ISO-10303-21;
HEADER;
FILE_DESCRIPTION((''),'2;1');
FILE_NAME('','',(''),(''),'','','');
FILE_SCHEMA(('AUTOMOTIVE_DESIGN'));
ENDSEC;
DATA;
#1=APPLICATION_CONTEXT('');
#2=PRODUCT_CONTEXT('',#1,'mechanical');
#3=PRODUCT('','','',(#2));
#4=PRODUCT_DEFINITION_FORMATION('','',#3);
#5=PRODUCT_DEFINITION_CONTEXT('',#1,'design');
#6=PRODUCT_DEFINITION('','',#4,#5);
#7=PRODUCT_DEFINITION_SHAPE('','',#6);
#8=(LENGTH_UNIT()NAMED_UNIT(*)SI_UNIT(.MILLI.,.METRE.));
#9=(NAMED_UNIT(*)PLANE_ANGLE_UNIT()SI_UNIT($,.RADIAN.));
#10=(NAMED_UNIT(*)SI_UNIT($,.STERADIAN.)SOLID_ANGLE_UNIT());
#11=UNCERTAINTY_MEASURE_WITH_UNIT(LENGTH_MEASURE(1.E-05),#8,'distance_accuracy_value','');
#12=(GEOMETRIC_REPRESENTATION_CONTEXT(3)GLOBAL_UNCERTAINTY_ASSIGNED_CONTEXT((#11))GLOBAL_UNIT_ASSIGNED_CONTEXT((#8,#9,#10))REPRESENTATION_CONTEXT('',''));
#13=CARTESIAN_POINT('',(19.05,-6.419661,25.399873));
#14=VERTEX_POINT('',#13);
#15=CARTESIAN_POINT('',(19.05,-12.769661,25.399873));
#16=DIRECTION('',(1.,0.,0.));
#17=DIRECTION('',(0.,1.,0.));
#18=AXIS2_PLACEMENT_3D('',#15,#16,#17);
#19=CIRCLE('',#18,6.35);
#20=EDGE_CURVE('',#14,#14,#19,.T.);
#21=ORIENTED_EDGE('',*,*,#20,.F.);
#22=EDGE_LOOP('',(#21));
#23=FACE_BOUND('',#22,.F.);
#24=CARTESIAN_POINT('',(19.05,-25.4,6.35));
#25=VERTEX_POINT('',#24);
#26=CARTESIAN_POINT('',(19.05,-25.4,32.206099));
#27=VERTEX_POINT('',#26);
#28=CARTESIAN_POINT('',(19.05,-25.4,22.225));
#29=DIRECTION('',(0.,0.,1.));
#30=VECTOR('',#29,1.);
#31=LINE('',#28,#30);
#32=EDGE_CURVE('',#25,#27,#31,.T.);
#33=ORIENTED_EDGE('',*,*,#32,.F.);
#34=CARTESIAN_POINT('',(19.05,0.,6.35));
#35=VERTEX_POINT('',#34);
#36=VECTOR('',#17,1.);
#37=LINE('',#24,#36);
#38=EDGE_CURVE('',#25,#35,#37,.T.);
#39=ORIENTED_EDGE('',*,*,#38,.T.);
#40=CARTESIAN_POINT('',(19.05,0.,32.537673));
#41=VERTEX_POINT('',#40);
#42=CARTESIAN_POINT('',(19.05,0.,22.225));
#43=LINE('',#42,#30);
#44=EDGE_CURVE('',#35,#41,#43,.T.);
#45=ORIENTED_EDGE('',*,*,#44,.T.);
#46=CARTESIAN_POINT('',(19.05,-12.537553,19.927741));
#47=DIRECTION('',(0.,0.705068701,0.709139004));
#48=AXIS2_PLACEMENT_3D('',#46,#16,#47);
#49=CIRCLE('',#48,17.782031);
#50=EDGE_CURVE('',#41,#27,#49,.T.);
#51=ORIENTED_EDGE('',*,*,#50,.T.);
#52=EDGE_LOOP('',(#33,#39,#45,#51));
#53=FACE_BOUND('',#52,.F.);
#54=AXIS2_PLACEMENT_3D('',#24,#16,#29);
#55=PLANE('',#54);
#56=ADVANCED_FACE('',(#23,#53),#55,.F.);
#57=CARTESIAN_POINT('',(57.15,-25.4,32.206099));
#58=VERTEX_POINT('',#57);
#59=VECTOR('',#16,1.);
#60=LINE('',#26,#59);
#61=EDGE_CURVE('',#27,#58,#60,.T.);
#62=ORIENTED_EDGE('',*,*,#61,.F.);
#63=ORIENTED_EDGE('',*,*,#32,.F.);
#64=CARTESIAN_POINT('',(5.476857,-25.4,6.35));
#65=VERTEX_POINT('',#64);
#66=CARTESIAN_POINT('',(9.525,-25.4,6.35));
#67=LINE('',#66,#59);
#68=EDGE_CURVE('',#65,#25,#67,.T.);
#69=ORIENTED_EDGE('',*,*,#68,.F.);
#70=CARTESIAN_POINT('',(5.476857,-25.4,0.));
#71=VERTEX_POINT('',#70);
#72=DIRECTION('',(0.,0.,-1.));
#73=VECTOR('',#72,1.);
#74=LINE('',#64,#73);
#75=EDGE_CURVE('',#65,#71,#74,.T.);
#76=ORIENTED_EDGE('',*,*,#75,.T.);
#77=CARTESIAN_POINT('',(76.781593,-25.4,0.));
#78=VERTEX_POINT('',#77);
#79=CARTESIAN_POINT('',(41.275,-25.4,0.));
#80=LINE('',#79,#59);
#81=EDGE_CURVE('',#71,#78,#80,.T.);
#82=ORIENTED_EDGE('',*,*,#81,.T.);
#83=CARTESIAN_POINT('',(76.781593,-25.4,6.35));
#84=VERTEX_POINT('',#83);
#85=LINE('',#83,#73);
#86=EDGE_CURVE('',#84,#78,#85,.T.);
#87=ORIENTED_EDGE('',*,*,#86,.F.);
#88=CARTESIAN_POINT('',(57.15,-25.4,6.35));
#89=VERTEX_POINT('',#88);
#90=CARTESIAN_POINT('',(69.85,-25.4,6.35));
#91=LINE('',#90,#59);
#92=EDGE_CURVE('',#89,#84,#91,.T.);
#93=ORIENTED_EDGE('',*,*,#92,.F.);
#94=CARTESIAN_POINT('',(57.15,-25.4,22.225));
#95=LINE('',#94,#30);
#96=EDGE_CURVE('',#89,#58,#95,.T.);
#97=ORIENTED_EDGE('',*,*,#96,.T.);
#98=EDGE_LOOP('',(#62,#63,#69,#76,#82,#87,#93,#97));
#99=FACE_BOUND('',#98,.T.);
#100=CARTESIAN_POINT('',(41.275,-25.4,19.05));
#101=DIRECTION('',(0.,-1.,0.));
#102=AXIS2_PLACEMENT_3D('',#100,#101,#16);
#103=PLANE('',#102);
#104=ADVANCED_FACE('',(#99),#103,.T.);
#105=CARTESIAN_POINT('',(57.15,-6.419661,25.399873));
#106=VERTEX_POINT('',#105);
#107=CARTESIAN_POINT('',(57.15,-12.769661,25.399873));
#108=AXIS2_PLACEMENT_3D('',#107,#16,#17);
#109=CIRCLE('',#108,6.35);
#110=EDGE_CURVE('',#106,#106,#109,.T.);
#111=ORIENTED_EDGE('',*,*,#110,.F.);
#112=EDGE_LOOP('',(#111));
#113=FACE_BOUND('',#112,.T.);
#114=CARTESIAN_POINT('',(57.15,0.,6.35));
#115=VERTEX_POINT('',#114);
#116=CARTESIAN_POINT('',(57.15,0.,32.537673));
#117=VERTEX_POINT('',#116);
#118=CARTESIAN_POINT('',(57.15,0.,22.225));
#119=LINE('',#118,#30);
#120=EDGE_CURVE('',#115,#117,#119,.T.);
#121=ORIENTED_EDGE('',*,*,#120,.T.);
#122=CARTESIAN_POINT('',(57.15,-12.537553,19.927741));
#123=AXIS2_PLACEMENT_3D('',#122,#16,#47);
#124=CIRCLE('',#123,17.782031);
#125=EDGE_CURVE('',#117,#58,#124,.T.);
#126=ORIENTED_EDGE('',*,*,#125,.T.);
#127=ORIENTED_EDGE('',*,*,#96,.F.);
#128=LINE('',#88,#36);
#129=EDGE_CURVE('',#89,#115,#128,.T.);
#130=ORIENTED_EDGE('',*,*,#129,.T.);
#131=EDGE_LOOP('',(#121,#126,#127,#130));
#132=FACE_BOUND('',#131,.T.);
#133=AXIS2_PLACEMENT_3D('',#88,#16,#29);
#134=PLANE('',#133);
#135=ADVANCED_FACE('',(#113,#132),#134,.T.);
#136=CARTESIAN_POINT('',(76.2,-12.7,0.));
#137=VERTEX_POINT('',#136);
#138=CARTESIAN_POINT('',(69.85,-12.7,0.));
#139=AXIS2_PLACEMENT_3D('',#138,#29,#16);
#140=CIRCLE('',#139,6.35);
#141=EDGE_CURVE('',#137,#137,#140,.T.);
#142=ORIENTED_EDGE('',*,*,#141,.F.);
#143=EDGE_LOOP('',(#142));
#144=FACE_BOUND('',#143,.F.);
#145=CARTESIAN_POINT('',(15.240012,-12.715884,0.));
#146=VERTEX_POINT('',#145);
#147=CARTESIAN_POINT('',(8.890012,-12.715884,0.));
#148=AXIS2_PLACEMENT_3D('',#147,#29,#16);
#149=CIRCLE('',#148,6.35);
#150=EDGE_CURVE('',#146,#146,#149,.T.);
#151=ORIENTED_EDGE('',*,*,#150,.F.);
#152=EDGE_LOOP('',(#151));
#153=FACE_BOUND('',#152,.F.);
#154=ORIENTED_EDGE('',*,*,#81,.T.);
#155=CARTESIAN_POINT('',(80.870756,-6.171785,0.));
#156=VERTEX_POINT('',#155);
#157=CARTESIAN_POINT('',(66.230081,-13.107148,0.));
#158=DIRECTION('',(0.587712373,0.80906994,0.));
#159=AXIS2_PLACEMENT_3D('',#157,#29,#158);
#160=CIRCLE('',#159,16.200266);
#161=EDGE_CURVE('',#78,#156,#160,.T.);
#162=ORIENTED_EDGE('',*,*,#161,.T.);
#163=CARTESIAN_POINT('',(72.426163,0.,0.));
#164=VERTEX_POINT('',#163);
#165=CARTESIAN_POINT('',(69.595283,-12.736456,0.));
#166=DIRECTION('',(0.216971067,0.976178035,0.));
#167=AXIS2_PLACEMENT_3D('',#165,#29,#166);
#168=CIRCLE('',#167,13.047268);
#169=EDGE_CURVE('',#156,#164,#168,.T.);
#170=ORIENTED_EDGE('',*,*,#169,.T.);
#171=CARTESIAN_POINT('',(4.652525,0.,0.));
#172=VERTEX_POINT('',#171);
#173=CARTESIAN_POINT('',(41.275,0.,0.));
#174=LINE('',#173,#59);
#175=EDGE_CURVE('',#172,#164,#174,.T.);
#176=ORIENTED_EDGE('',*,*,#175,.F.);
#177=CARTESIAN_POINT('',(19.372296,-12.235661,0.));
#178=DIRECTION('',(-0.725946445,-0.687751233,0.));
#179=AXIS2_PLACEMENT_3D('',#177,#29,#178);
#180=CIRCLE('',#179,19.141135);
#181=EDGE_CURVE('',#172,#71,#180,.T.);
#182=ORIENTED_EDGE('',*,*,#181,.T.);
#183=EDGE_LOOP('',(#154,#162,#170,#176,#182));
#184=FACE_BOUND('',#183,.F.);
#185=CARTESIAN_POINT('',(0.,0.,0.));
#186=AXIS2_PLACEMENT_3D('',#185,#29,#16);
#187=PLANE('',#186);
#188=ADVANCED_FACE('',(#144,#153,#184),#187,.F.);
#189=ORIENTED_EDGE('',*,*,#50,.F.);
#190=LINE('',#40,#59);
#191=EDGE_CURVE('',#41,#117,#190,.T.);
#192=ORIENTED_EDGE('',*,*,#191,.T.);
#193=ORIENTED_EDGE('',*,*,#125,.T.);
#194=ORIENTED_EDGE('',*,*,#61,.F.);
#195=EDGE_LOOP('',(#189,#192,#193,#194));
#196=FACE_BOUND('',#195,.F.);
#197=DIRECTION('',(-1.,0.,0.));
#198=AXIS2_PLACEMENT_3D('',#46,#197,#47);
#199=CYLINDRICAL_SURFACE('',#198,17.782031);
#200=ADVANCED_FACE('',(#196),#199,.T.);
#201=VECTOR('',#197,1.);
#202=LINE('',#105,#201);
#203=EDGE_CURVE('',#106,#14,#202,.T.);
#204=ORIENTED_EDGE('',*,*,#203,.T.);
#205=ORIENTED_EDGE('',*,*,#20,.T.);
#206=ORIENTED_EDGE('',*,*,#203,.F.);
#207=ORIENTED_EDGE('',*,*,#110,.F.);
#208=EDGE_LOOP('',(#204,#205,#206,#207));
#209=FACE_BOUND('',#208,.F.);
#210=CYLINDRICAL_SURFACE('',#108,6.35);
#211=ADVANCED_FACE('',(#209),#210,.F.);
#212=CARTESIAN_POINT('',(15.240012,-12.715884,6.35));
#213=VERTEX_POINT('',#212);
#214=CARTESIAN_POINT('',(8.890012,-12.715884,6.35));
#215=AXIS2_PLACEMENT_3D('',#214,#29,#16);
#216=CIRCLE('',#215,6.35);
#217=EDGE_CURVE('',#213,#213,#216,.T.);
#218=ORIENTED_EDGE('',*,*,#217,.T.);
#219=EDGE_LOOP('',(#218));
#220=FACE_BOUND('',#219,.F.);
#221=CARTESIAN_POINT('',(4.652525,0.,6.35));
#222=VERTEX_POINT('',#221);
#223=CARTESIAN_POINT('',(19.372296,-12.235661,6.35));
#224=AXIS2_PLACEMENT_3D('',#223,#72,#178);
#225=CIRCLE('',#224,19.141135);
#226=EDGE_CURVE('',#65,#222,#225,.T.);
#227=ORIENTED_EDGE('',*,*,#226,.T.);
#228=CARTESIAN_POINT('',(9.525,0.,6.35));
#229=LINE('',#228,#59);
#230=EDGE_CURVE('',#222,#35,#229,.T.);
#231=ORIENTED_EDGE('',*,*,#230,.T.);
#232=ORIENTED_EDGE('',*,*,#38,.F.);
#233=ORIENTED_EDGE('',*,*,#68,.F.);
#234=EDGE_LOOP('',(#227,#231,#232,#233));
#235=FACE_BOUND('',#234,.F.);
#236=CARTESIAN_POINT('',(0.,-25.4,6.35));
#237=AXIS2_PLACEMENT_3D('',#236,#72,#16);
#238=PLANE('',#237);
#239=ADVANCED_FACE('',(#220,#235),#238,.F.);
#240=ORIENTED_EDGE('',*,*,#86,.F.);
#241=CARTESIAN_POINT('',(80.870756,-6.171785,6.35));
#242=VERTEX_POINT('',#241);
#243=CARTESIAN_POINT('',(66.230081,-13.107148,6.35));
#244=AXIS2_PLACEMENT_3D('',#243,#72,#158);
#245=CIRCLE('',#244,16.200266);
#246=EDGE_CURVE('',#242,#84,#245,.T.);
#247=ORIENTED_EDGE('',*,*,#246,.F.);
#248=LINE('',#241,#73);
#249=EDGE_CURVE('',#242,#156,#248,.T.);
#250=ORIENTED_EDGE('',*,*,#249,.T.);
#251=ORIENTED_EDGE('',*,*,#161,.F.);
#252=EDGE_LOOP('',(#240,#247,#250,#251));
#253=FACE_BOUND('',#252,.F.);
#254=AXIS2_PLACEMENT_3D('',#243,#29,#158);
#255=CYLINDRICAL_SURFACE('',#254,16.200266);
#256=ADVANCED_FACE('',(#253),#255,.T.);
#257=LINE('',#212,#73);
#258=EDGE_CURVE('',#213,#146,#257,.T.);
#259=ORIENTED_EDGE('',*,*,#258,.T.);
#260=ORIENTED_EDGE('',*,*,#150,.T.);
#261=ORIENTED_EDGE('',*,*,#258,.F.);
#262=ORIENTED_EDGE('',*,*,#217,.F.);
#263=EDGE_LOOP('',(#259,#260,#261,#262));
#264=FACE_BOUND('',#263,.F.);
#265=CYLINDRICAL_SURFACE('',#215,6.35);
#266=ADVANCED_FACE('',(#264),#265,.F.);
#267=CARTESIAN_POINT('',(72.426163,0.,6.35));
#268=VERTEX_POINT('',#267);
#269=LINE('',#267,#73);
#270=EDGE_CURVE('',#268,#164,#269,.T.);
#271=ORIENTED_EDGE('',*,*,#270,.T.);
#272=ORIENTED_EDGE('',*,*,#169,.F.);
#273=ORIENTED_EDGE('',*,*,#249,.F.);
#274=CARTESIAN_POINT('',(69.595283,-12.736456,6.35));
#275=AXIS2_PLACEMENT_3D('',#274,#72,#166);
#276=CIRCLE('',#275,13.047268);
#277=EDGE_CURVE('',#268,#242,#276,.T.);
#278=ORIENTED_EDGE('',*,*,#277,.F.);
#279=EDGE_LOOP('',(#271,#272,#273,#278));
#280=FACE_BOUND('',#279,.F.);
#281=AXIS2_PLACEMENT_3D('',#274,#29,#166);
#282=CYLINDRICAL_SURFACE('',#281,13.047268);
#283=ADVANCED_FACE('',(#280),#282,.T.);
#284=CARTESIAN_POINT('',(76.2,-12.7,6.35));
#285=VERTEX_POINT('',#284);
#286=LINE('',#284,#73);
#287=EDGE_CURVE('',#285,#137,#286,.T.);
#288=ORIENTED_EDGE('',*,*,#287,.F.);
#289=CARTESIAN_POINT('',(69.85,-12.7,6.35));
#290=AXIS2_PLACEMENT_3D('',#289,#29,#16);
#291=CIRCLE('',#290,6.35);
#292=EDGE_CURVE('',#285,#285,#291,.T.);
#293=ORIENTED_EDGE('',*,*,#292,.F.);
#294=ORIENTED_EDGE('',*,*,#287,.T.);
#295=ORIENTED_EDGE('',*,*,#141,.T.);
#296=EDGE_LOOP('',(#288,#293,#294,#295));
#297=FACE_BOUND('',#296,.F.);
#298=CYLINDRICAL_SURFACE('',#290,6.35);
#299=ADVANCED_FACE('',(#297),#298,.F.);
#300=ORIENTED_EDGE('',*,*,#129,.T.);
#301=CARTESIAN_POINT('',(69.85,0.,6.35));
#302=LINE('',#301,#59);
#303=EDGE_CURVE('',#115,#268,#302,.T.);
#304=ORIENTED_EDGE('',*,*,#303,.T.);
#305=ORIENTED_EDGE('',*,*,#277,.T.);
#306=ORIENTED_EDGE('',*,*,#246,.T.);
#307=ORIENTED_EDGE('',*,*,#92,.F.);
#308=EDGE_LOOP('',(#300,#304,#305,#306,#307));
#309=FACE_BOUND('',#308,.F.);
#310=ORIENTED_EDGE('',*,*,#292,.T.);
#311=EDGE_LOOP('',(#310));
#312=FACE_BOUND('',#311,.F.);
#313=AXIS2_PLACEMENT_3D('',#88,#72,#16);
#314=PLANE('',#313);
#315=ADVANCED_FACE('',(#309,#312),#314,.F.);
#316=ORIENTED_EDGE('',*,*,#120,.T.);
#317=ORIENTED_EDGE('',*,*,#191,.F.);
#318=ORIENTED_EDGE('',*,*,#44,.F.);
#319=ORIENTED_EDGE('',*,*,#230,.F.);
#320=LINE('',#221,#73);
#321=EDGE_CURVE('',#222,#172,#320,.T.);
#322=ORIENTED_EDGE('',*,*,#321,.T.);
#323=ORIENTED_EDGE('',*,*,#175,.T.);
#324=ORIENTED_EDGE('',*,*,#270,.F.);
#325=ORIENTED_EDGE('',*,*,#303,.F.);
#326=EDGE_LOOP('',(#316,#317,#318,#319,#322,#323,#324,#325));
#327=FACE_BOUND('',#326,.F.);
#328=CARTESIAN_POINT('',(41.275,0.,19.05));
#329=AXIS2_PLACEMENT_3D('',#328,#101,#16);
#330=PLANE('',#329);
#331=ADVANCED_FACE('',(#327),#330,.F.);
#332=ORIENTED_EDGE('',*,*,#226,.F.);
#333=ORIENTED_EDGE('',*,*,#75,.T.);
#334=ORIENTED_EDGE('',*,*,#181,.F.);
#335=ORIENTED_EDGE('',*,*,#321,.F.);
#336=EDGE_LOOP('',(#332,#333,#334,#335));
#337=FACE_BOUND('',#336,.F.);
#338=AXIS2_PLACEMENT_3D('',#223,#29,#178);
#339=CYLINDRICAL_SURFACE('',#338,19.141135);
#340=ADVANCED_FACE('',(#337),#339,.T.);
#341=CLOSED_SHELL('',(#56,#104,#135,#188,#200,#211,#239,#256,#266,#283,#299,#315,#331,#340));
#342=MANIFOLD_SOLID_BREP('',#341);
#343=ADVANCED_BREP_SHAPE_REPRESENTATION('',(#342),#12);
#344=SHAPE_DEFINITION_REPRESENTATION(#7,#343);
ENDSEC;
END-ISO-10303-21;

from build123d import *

# Parameters (mm, degrees)
F0_W      = 82.55
F0_H      = 38.1
F1_DEPTH  = 25.4
F2_W      = 25.4
F2_H      = 31.75
F3_DEPTH  = 25.4
F4_W      = 19.05
F4_H      = 31.75
F5_DEPTH  = 25.4
F6_R      = 6.35
F7_DEPTH  = 25.4
F8_R      = 6.35
F9_DEPTH  = 25.4
F11_DEPTH = 38.1
F12_R     = 6.35
F13_DEPTH = 50.8
F15_DEPTH = 50.8
F17_DEPTH = 50.8
F19_DEPTH = 25.4


with BuildPart() as f1:
    # F0 (on Front) → F1 (new body)
    with BuildSketch(Plane.XZ):
        with Locations((41.275, 19.05)):
            Rectangle(F0_W, F0_H)
    extrude(amount=F1_DEPTH)

    # F2 (on face) → F3 (cut)
    with BuildSketch(Plane.XZ.offset(25.4)):
        with Locations((69.85, 22.225)):
            Rectangle(F2_W, F2_H)
    extrude(amount=-F3_DEPTH, mode=Mode.SUBTRACT)

    # F4 (on face) → F5 (cut)
    with BuildSketch(Plane.XZ.offset(25.4)):
        with Locations((9.525, 22.225)):
            Rectangle(F4_W, F4_H)
    extrude(amount=-F5_DEPTH, mode=Mode.SUBTRACT)

    # F6 (on face) → F7 (cut)
    with BuildSketch(Plane.XY.offset(6.35)):
        with Locations((69.85, -12.7)):
            Circle(F6_R)
    extrude(amount=-F7_DEPTH, mode=Mode.SUBTRACT)

    # F8 (on face) → F9 (cut)
    with BuildSketch(Plane.XY.offset(6.35)):
        with Locations((8.8900124169, -12.7158843127)):
            Circle(F8_R)
    extrude(amount=-F9_DEPTH, mode=Mode.SUBTRACT)

    # F10 (on face) → F11 (cut)
    with BuildSketch(Plane(origin=(19.05, 0, 0), x_dir=(0, -1, 0), z_dir=(-1, 0, 0))):
        with BuildLine():
            ThreePointArc((0, 32.5376726687), (12.769661319, 37.7082569413), (25.4, 32.2060994804))
            Line((25.4, 32.2060994804), (25.4, 38.1))
            Line((25.4, 38.1), (0, 38.1))
            Line((0, 38.1), (0, 32.5376726687))
        make_face()
    extrude(amount=-F11_DEPTH, mode=Mode.SUBTRACT)

    # F12 (on face) → F13 (cut)
    with BuildSketch(Plane.YZ.offset(57.15)):
        with Locations((-12.769661319, 25.3998726321)):
            Circle(F12_R)
    extrude(amount=-F13_DEPTH, mode=Mode.SUBTRACT)

    # F14 (on face) → F15 (cut)
    with BuildSketch(Plane.XY.offset(6.35)):
        with BuildLine():
            ThreePointArc((5.4768570699, -25.4), (0.241233284, -12.8565406161), (4.6525248326, 0))
            Line((4.6525248326, 0), (0, 0))
            Line((0, 0), (0, -25.4))
            Line((0, -25.4), (5.4768570699, -25.4))
        make_face()
    extrude(amount=-F15_DEPTH, mode=Mode.SUBTRACT)

    # F16 (on face) → F17 (cut)
    with BuildSketch(Plane.XY.offset(6.35)):
        with BuildLine():
            ThreePointArc((75.7511779666, 0), (82.4170329692, -12.4504834206), (76.7815932631, -25.4))
            Line((76.7815932631, -25.4), (82.55, -25.4))
            Line((82.55, -25.4), (82.55, 0))
            Line((82.55, 0), (75.7511779666, 0))
        make_face()
    extrude(amount=-F17_DEPTH, mode=Mode.SUBTRACT)

    # F18 (on face) → F19 (cut)
    with BuildSketch(Plane.XY.offset(6.35)):
        with BuildLine():
            ThreePointArc((72.4261626601, 0), (77.2939859852, -2.2026454539), (80.8707558382, -6.1717849498))
            ThreePointArc((80.8707558382, -6.1717849498), (78.6988634902, -2.7641270855), (75.7511779666, 0))
            Line((75.7511779666, 0), (72.4261626601, 0))
        make_face()
    extrude(amount=-F19_DEPTH, mode=Mode.SUBTRACT)


solid = f1.part
